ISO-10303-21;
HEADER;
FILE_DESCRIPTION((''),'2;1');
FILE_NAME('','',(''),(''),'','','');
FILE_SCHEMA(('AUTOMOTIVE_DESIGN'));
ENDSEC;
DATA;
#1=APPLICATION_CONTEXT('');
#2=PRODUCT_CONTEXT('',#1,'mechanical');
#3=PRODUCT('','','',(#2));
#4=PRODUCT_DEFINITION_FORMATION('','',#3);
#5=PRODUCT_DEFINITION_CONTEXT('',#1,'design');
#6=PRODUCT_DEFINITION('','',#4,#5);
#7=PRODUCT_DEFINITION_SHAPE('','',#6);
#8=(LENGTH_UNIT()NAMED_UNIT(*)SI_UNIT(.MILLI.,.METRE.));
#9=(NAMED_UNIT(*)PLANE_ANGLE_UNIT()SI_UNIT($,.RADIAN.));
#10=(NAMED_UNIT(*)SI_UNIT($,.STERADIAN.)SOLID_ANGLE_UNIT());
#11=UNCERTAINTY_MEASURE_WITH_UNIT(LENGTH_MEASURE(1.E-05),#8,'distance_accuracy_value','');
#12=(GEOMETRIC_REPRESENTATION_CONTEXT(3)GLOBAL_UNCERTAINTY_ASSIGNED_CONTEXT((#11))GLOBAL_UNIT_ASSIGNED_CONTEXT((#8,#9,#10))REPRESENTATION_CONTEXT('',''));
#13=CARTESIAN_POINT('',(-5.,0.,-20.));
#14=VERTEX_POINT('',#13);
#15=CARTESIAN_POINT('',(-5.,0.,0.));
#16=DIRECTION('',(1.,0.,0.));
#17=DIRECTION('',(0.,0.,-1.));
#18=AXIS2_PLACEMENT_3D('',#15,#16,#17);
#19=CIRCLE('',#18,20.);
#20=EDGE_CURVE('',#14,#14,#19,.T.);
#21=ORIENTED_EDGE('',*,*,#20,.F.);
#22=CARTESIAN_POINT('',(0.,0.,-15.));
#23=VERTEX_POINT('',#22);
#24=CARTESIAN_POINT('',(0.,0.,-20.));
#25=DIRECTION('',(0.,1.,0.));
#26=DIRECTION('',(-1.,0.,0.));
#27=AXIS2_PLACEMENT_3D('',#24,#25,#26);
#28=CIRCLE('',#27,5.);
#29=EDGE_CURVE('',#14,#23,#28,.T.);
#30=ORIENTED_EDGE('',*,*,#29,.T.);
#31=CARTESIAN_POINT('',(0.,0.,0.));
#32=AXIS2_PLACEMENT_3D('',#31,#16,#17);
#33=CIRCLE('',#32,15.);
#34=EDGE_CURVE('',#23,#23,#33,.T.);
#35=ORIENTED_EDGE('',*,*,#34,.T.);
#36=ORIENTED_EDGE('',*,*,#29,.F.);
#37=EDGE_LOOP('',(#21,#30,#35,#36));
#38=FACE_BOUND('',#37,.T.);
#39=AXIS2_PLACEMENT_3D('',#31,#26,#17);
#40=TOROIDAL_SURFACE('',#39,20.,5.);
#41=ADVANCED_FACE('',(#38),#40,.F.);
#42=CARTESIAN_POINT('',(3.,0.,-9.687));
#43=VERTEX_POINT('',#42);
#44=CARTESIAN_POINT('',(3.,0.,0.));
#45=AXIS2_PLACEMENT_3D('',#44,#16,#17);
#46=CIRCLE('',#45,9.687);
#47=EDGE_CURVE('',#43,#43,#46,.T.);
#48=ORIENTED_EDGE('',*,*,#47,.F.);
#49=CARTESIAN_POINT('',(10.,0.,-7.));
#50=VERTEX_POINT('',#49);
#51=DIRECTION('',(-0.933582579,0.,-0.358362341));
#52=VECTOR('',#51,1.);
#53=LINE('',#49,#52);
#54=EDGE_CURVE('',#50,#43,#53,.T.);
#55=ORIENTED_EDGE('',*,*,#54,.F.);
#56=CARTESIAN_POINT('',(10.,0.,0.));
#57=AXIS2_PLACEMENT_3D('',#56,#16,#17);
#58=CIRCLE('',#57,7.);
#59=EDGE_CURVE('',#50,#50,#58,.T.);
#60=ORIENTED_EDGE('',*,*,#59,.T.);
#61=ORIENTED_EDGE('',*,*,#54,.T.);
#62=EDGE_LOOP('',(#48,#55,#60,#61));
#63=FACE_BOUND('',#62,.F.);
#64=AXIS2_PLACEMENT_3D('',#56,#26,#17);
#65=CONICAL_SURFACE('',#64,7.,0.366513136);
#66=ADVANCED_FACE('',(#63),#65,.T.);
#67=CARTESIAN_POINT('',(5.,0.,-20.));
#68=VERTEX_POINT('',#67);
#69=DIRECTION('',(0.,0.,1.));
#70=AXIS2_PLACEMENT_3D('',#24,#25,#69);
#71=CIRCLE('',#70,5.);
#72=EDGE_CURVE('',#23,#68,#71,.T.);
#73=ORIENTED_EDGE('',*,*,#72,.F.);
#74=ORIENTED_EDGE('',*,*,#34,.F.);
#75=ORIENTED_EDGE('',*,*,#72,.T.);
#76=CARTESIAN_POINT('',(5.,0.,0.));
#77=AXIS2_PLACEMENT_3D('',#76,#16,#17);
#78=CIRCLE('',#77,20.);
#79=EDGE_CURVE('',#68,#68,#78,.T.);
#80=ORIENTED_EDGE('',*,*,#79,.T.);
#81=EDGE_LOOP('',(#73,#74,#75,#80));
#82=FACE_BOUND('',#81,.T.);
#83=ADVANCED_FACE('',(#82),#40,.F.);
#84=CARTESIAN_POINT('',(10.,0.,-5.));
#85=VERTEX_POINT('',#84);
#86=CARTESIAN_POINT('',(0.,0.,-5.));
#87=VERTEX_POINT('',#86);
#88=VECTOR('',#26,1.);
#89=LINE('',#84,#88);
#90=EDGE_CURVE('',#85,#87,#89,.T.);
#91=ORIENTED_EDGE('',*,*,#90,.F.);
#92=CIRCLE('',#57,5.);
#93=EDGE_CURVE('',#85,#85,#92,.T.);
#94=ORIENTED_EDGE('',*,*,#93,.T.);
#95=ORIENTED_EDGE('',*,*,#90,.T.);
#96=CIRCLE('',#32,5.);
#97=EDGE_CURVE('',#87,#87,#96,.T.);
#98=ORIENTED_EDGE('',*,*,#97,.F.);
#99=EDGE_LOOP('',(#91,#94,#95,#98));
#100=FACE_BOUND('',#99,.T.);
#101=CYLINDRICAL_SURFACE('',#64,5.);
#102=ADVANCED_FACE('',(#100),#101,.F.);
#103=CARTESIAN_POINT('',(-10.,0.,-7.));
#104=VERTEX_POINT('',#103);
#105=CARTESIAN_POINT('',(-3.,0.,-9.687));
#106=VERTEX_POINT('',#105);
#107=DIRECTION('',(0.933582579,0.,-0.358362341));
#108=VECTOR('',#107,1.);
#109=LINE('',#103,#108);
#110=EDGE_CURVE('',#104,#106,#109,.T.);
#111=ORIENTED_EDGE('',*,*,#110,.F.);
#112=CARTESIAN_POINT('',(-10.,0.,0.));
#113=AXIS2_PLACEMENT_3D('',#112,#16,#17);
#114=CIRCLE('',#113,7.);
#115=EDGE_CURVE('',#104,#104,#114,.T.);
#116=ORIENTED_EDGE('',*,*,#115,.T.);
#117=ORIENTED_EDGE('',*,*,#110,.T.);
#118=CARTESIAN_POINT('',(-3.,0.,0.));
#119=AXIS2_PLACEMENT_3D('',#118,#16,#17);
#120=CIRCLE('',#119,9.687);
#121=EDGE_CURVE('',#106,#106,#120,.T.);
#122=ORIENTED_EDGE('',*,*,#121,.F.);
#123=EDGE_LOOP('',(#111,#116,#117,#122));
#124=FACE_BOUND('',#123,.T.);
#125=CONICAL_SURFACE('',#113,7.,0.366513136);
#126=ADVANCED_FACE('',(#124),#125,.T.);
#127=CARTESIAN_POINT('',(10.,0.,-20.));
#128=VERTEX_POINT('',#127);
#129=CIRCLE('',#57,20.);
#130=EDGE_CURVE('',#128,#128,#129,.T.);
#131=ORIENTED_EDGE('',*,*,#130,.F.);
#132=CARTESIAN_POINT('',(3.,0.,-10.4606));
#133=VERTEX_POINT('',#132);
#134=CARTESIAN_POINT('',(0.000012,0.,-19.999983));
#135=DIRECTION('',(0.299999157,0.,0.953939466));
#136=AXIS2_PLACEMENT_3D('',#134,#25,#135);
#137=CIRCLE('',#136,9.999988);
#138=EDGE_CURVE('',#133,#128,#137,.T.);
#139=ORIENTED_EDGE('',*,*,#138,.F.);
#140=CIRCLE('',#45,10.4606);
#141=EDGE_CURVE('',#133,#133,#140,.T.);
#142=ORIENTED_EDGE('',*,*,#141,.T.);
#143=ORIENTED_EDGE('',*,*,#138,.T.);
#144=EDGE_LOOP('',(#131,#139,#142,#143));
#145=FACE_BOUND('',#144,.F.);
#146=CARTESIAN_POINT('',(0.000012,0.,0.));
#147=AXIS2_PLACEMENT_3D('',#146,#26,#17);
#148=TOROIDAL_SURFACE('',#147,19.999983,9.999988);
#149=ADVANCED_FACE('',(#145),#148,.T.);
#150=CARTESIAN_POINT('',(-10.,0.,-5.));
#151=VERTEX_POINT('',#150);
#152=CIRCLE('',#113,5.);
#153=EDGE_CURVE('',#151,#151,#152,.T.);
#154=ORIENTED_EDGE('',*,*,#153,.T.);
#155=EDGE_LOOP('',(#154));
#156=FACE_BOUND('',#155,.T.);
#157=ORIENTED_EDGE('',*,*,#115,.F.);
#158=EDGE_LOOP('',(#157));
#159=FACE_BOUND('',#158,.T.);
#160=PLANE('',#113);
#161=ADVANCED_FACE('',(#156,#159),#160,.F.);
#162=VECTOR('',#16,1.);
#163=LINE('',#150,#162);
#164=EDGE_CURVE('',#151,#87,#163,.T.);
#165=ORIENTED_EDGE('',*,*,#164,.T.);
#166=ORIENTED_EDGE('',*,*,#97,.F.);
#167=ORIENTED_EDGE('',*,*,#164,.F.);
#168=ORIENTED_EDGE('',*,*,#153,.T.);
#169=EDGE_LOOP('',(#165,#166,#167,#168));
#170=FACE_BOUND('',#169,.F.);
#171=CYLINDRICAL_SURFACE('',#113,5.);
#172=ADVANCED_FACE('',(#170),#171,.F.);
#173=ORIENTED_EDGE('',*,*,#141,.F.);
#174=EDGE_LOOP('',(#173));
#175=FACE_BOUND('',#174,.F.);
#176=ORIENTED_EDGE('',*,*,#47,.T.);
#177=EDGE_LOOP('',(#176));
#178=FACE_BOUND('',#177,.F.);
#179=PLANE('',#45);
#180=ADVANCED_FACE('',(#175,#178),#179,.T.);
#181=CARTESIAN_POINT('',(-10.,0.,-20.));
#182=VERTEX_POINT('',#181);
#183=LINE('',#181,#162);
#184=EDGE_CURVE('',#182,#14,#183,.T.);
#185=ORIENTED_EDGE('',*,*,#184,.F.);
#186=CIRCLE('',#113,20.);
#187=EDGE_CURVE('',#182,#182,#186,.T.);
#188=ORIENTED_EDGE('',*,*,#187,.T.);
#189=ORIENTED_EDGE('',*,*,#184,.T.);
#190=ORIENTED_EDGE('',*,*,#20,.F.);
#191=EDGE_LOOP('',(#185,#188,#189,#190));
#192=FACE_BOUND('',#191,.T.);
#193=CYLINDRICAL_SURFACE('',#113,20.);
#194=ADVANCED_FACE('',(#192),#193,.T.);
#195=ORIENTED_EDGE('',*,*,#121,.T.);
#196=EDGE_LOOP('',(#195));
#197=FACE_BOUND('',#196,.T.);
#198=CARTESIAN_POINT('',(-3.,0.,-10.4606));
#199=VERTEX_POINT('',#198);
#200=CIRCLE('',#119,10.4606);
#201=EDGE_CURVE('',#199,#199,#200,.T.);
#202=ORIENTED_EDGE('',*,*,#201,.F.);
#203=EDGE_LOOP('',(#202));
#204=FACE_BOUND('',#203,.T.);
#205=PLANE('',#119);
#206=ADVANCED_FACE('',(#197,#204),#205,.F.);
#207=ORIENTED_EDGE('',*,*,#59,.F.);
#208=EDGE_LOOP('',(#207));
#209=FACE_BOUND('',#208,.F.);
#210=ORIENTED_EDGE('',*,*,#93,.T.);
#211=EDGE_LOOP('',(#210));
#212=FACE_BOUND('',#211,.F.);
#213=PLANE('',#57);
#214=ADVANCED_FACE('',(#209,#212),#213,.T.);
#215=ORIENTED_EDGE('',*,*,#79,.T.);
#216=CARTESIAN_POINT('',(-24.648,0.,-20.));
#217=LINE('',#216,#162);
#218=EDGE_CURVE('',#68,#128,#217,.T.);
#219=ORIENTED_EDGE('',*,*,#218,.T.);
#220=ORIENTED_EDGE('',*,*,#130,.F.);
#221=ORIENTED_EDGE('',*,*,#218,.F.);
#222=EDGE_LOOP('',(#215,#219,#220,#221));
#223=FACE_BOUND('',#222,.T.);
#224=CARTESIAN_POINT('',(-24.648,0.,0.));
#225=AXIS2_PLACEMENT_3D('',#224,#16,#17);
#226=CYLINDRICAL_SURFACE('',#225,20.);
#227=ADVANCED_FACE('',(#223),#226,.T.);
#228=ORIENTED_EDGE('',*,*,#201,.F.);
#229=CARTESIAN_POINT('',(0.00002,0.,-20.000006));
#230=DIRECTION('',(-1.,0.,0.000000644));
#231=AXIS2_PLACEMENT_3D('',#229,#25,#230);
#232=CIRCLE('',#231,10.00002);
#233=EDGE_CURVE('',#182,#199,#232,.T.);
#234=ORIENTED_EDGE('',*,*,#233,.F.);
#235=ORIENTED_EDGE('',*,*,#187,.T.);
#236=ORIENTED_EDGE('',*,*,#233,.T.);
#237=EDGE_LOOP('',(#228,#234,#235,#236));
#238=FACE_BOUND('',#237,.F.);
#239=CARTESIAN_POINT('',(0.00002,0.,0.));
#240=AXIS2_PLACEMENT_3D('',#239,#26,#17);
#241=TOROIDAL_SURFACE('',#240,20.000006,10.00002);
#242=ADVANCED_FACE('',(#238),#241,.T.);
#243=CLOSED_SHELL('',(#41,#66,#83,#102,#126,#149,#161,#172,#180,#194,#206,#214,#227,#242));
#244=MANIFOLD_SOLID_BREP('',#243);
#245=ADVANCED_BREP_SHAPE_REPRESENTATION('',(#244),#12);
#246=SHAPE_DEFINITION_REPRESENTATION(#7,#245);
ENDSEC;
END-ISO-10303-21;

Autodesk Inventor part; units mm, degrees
ref_plane "YZ Plane" through (0, 0, 0) normal (1, 0, 0) x (0, 1, 0)
ref_plane "XZ Plane" through (0, 0, 0) normal (0, 1, 0) x (-1, 0, 0)
ref_plane "XY Plane" through (0, 0, 0) normal (0, 0, 1) x (1, 0, 0)
sketch "Náčrt1" plane through (0, 0, 0) normal (0, 1, 0) x (-1, 0, 0)
  line L0 (10, -5) -> (0, -5)
  line L1 (10, -5) -> (10, -7)
  line L2 (10, -7) -> (3, -9.687)
  line L3 (3, -9.687) -> (3, -10.4606)
  line L4 (0, 0) -> (-43.8955, 0)
  arc A0 (10, -20) -> (3, -10.4606) centre (0, -20) ccw
  line L5 (0, 0) -> (0, -73.1539)
  line L6 (10, -20) -> (5, -20)
  arc A1 (5, -20) -> (0, -15) centre (0, -20) ccw
  line L7 (24.648, -20) -> (-37.389, -20)
  line L8 (10, -20) -> (10, -31.6969)
  line L9 (-10, -5) -> (0, -5)
  line L10 (-10, -5) -> (-10, -7)
  line L11 (-10, -7) -> (-3, -9.687)
  line L12 (-3, -9.687) -> (-3, -10.4606)
  arc A2 (-3, -10.4606) -> (-10, -20) centre (0, -20) ccw
  line L13 (-10, -20) -> (-5, -20)
  arc A3 (0, -15) -> (-5, -20) centre (0, -20) ccw
  point P0 (0, -53)
  dimension "d1" = 111
  dimension "d3" = 10
  dimension "d63" = 10
  dimension "d64" = 5
  dimension "d65" = 6
  dimension "d67" = 30
  dimension "d68" = 2
revolve "Rotace1" add sketch "Náčrt1" angle 360 about axis through (0, 0, 0) along (1, 0, 0) contours L1 L2 L3 A0 L6 A1 L5 L0 | L5 A3 L7 A2 L12 L11 L10 L9
properties part number "pulley_small"
